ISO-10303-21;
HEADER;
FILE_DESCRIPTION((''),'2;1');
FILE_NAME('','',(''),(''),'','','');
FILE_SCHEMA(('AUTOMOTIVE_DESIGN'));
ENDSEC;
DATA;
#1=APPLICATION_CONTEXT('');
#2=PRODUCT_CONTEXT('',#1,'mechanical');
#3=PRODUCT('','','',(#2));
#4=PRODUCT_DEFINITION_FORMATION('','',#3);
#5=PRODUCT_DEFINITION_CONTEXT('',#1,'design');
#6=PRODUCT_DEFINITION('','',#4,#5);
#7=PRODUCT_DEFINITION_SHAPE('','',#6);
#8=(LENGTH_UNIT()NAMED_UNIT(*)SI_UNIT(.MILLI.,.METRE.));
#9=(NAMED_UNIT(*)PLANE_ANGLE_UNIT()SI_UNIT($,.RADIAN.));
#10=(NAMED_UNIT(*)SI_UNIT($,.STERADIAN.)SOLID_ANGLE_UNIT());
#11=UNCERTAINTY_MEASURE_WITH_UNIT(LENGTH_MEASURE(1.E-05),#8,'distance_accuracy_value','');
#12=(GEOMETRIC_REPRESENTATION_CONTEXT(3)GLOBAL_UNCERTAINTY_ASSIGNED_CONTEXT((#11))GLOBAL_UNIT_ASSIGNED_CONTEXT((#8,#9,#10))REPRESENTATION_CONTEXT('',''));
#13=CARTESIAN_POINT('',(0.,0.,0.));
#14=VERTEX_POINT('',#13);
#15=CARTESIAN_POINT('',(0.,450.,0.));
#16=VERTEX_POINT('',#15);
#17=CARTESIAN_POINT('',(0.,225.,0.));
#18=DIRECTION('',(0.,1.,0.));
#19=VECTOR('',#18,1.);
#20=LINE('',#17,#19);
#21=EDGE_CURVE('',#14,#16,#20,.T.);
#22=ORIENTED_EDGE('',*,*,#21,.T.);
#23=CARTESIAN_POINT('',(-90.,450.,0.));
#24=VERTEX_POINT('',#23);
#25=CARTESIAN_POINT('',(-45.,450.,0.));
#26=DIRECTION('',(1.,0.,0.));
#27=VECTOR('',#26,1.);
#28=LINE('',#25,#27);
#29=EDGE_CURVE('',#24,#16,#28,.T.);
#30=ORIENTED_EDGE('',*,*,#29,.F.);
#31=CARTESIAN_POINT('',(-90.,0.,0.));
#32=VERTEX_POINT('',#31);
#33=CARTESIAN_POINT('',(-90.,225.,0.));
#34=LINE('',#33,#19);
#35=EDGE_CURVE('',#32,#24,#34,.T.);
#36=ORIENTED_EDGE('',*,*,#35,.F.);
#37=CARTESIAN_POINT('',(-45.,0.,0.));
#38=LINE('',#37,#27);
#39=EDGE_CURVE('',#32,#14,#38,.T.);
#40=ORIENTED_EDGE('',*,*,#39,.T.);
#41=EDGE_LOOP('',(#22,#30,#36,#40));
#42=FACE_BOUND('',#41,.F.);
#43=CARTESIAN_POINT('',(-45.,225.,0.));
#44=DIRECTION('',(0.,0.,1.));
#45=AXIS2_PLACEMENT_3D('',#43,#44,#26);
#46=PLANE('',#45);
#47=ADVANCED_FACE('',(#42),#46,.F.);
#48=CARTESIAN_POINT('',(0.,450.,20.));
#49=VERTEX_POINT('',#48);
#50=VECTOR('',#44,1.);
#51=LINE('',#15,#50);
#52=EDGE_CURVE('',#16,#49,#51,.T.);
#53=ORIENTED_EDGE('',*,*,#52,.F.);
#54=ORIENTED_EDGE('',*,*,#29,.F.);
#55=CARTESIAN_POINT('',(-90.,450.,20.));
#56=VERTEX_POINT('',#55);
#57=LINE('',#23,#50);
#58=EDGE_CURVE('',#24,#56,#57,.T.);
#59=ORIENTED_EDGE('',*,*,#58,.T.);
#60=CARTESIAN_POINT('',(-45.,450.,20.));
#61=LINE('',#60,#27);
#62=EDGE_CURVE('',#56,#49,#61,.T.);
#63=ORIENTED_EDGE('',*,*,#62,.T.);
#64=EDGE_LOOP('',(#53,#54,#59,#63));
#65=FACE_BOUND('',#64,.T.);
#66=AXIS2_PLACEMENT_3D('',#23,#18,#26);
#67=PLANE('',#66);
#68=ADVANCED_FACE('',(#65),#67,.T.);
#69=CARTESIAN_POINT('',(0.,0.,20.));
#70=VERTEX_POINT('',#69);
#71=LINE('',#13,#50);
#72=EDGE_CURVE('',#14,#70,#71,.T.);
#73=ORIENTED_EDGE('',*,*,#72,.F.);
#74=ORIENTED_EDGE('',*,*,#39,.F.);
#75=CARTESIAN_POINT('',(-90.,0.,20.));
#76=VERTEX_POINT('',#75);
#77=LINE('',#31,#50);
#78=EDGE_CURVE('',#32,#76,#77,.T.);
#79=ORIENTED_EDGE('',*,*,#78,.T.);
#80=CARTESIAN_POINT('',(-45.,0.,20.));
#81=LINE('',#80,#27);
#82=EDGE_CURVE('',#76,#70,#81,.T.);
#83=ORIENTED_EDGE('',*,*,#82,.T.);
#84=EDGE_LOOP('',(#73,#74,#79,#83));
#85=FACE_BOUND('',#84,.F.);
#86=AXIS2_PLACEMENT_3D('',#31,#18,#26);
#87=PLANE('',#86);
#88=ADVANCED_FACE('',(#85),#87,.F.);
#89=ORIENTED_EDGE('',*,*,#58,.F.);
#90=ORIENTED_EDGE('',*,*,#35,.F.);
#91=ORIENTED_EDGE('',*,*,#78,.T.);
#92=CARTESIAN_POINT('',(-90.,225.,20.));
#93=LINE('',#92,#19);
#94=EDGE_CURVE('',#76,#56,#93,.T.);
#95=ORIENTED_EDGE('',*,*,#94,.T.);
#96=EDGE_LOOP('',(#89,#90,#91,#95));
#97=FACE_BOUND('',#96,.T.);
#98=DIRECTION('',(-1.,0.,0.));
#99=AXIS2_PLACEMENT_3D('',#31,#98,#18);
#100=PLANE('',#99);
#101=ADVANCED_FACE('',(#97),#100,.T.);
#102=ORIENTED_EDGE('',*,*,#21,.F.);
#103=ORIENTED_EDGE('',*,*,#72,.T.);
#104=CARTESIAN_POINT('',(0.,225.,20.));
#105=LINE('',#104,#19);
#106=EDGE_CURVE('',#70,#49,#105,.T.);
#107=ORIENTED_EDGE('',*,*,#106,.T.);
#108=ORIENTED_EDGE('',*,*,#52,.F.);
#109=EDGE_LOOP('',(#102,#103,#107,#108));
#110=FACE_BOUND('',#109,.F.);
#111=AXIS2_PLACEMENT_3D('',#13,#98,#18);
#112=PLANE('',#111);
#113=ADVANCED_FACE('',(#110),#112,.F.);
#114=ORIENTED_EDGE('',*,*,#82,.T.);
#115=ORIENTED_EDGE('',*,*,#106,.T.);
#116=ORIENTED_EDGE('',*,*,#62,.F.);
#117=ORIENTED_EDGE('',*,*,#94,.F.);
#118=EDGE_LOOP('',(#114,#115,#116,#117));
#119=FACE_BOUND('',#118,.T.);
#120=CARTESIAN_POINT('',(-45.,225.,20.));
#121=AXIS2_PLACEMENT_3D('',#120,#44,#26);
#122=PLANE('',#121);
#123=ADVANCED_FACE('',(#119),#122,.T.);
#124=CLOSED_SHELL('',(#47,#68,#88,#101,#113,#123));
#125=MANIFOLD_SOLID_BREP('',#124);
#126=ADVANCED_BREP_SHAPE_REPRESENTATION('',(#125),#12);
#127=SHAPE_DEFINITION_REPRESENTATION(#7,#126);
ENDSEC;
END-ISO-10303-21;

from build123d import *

# Parameters (mm, degrees)
SKETCH_W  = 90
SKETCH_H  = 450
PAD_DEPTH = 20


with BuildPart() as part:
    # Sketch → Pad (new body)
    with BuildSketch(Plane.XY):
        with Locations((-45, 225)):
            Rectangle(SKETCH_W, SKETCH_H)
    extrude(amount=PAD_DEPTH)


solid = part.part
